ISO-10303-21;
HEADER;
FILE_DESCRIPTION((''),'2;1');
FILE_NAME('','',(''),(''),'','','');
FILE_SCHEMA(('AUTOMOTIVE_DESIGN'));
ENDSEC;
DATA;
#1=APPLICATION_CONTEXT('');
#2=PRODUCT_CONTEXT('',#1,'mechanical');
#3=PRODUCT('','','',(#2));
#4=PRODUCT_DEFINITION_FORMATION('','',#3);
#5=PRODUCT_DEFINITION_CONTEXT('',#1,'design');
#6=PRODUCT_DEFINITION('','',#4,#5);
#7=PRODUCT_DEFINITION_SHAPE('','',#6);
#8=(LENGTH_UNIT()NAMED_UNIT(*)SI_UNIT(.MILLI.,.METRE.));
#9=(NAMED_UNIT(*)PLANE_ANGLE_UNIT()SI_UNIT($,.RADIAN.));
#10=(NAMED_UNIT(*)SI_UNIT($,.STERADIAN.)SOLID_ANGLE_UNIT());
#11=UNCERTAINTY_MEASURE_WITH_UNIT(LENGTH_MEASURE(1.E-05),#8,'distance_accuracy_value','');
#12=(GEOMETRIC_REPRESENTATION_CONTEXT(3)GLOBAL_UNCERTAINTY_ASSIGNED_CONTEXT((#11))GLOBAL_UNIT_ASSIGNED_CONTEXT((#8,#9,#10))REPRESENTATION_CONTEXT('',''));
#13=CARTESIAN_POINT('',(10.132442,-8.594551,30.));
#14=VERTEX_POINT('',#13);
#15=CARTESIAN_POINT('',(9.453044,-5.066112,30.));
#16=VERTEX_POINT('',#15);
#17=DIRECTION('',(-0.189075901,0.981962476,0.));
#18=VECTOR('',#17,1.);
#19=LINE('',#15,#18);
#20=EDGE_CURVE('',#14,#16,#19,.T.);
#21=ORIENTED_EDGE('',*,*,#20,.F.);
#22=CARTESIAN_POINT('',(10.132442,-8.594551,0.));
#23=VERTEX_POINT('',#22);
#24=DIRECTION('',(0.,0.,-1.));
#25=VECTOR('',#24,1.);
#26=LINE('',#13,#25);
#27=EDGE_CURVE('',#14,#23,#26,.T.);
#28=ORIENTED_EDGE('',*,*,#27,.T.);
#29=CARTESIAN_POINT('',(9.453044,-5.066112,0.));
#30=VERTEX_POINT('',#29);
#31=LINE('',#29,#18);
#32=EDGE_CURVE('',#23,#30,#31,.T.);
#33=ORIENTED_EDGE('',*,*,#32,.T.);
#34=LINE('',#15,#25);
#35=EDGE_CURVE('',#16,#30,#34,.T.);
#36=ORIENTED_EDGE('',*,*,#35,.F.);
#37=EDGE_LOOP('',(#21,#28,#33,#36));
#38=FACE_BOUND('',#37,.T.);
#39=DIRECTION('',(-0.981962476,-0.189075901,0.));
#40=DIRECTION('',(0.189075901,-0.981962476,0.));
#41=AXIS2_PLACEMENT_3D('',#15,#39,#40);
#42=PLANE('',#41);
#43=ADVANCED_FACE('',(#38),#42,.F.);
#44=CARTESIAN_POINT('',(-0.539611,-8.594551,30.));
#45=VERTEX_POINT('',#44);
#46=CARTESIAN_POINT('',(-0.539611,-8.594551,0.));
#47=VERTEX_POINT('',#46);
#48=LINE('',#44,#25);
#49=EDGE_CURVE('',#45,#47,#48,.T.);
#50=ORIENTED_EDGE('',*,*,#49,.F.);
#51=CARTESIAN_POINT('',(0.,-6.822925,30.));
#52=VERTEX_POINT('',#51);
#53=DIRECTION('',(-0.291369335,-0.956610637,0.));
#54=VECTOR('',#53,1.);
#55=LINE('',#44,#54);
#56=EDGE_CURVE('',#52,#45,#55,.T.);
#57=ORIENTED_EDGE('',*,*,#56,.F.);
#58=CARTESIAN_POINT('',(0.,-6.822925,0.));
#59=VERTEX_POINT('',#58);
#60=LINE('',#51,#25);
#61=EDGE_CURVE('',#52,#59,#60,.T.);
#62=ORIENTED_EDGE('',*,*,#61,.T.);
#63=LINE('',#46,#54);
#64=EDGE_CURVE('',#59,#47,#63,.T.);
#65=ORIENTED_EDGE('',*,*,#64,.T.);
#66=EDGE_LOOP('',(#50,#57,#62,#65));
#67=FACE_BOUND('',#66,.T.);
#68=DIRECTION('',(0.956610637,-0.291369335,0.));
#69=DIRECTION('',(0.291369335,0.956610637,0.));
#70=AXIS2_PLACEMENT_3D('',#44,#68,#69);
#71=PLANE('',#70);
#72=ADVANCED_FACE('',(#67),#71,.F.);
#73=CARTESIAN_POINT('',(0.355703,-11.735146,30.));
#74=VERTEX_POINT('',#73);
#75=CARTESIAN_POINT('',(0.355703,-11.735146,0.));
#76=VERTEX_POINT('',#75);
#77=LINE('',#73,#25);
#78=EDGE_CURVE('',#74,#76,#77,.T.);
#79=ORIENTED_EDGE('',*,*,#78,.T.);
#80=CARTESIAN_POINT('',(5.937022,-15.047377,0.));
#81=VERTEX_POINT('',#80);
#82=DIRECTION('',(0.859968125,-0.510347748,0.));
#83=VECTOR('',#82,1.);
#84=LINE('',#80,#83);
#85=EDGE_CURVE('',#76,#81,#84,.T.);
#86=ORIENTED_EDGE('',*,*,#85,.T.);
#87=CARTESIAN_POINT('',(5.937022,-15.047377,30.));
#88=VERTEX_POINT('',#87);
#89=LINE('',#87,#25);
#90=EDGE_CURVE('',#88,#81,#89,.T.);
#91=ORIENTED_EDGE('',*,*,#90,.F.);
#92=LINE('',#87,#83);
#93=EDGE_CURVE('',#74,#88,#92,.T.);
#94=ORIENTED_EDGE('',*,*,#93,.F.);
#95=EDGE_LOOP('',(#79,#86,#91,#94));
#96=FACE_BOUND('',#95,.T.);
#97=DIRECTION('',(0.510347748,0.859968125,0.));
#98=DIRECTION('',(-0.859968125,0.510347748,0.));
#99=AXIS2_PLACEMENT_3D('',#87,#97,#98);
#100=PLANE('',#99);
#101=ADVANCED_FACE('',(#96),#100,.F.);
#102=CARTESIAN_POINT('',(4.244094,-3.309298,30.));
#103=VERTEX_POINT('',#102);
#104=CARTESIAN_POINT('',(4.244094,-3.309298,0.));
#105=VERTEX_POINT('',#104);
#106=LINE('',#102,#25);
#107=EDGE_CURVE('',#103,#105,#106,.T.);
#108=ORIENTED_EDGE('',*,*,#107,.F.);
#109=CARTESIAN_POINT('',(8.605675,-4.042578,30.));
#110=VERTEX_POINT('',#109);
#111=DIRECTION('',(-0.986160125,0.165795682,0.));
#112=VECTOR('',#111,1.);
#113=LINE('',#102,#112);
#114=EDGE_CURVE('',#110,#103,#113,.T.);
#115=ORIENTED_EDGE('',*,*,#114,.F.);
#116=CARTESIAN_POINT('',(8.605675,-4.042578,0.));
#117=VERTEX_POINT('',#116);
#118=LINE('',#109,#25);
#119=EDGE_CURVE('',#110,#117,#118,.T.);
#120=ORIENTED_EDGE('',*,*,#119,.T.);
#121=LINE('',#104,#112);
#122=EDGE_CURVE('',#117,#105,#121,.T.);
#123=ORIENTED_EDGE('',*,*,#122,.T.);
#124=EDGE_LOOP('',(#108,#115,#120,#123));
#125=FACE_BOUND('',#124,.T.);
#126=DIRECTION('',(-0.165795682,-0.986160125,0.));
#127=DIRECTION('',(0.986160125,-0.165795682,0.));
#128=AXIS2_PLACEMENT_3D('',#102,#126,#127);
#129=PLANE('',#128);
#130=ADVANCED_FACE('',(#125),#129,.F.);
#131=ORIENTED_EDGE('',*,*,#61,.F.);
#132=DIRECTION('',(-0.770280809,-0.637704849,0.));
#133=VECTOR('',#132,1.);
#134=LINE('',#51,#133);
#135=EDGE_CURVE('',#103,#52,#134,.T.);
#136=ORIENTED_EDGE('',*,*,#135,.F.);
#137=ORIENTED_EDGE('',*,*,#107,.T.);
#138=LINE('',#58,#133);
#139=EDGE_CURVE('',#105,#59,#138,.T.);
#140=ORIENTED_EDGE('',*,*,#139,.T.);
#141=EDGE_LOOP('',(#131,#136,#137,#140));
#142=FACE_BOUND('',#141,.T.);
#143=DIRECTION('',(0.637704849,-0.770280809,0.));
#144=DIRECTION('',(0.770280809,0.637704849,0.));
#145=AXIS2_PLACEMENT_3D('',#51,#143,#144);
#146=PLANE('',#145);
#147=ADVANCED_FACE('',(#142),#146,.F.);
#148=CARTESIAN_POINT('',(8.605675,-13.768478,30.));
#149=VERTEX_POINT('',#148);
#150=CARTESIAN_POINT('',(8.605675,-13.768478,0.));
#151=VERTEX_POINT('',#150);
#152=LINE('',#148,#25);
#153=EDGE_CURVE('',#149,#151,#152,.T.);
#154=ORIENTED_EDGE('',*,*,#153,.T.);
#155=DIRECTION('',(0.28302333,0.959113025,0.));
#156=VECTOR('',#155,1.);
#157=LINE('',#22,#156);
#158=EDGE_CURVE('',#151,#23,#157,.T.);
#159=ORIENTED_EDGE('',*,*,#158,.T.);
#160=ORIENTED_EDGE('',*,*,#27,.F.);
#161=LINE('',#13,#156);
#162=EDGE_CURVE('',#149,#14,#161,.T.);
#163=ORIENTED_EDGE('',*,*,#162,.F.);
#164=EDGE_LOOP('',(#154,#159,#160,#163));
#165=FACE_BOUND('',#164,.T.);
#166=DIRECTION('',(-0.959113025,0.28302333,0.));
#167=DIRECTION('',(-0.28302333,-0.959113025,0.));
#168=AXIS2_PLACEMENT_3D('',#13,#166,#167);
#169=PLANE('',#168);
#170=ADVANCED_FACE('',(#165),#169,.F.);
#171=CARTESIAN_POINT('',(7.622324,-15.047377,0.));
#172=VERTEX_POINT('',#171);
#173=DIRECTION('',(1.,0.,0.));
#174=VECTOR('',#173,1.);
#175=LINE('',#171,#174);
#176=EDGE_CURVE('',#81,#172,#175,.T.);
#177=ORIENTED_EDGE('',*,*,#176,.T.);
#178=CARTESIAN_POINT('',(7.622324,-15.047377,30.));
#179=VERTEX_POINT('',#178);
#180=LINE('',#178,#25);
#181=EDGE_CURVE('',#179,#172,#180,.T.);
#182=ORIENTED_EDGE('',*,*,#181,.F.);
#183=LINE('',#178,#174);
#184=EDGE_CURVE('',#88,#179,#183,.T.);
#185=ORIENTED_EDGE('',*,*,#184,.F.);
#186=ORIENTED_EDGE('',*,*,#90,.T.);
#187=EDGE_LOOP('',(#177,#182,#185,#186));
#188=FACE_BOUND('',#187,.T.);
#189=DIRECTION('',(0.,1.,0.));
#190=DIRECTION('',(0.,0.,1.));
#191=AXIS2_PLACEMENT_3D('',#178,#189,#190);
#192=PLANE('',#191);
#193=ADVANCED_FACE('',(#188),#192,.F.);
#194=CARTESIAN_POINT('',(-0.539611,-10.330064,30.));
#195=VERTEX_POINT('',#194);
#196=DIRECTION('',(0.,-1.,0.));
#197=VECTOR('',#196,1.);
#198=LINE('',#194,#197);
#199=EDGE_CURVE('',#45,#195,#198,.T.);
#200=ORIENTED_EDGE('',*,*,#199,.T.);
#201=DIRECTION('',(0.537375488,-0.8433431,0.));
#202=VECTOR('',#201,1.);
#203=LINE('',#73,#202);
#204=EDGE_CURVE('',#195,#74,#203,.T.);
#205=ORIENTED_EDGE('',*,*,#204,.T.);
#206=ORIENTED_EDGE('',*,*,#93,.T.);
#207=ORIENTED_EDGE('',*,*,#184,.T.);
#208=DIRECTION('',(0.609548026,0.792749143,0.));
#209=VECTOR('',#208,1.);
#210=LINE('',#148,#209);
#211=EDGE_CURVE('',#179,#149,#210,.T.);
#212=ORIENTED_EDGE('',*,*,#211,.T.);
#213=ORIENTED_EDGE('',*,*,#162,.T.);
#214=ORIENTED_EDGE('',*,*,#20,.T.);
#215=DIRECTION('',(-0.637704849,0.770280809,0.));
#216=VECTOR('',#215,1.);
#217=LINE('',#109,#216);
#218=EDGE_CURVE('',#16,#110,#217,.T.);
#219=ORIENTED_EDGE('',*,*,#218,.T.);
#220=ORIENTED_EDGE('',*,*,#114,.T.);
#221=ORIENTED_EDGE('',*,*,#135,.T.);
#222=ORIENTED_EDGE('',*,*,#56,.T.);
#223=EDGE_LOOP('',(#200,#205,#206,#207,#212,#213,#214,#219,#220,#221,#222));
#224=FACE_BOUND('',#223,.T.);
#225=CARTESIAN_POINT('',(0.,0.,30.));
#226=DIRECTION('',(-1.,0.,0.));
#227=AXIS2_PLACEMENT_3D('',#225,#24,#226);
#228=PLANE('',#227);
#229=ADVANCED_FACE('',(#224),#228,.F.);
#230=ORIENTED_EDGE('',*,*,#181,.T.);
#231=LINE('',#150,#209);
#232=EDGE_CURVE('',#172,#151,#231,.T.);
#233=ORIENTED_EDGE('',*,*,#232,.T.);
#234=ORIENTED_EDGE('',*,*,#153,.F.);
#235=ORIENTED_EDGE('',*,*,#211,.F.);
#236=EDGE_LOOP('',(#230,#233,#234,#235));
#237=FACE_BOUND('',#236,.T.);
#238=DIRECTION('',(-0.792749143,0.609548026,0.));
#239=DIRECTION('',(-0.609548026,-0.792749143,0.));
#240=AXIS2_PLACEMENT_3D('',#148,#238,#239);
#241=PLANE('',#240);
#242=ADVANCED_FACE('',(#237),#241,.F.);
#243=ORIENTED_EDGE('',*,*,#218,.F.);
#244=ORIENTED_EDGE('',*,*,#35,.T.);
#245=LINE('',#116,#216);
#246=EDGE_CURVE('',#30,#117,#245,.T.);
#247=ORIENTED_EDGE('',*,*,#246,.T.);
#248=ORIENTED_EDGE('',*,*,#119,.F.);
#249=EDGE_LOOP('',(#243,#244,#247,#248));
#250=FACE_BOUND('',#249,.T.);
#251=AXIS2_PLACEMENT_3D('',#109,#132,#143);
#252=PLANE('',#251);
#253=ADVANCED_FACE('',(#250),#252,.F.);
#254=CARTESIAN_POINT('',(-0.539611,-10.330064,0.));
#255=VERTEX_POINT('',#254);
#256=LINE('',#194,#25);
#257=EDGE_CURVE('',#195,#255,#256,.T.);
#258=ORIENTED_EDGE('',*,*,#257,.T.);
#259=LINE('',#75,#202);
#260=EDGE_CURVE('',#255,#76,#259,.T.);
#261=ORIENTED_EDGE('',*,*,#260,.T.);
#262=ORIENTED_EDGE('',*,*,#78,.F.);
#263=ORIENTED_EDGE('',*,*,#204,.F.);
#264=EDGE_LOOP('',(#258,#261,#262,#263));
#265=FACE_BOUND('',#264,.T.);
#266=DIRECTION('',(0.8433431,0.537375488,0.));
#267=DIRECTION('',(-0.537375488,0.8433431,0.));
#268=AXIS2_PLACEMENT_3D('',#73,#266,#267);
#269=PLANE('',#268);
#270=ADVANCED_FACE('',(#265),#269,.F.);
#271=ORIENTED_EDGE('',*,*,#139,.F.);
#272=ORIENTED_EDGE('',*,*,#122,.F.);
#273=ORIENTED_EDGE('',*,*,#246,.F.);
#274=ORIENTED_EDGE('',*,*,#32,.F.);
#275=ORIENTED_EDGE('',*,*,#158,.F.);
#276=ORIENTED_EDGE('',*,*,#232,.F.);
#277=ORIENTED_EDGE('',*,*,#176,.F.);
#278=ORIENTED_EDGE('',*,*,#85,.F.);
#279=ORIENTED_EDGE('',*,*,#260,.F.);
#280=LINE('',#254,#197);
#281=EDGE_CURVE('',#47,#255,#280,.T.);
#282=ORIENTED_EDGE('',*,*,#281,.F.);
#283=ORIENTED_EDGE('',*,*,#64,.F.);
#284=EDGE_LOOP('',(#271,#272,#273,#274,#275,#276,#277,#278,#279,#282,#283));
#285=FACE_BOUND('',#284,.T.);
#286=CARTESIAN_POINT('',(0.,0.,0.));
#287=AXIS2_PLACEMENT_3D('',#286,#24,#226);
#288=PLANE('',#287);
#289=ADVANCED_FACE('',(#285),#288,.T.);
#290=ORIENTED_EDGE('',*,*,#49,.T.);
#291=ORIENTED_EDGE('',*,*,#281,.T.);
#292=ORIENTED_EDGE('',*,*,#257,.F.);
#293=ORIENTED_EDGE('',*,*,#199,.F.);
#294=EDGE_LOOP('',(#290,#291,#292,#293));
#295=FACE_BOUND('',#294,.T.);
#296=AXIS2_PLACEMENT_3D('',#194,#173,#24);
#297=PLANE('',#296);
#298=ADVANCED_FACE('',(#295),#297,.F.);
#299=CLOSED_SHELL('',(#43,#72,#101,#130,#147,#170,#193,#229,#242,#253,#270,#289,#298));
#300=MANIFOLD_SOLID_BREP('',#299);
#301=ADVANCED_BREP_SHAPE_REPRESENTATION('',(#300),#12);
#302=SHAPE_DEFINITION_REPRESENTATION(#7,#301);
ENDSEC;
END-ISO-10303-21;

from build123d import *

# Parameters (mm, degrees)
BOSS_EXTRU_1_DEPTH = 30


with BuildPart() as part:
    # Esquisse1 → Boss.-Extru.1 (new body)
    with BuildSketch(Plane.XY):
        Polygon((0, -6.822925201), (4.244094295, -3.30929812), (8.605674918, -4.042577855), (9.453044427, -5.066111661), (10.13244188, -8.594550769), (8.605674918, -13.768477871), (7.622323994, -15.047377265), (5.93702204, -15.047377265), (0.35570281, -11.735145544), (-0.539610729, -10.330063788), (-0.539610729, -8.594550769), align=None)
    extrude(amount=BOSS_EXTRU_1_DEPTH)


solid = part.part
